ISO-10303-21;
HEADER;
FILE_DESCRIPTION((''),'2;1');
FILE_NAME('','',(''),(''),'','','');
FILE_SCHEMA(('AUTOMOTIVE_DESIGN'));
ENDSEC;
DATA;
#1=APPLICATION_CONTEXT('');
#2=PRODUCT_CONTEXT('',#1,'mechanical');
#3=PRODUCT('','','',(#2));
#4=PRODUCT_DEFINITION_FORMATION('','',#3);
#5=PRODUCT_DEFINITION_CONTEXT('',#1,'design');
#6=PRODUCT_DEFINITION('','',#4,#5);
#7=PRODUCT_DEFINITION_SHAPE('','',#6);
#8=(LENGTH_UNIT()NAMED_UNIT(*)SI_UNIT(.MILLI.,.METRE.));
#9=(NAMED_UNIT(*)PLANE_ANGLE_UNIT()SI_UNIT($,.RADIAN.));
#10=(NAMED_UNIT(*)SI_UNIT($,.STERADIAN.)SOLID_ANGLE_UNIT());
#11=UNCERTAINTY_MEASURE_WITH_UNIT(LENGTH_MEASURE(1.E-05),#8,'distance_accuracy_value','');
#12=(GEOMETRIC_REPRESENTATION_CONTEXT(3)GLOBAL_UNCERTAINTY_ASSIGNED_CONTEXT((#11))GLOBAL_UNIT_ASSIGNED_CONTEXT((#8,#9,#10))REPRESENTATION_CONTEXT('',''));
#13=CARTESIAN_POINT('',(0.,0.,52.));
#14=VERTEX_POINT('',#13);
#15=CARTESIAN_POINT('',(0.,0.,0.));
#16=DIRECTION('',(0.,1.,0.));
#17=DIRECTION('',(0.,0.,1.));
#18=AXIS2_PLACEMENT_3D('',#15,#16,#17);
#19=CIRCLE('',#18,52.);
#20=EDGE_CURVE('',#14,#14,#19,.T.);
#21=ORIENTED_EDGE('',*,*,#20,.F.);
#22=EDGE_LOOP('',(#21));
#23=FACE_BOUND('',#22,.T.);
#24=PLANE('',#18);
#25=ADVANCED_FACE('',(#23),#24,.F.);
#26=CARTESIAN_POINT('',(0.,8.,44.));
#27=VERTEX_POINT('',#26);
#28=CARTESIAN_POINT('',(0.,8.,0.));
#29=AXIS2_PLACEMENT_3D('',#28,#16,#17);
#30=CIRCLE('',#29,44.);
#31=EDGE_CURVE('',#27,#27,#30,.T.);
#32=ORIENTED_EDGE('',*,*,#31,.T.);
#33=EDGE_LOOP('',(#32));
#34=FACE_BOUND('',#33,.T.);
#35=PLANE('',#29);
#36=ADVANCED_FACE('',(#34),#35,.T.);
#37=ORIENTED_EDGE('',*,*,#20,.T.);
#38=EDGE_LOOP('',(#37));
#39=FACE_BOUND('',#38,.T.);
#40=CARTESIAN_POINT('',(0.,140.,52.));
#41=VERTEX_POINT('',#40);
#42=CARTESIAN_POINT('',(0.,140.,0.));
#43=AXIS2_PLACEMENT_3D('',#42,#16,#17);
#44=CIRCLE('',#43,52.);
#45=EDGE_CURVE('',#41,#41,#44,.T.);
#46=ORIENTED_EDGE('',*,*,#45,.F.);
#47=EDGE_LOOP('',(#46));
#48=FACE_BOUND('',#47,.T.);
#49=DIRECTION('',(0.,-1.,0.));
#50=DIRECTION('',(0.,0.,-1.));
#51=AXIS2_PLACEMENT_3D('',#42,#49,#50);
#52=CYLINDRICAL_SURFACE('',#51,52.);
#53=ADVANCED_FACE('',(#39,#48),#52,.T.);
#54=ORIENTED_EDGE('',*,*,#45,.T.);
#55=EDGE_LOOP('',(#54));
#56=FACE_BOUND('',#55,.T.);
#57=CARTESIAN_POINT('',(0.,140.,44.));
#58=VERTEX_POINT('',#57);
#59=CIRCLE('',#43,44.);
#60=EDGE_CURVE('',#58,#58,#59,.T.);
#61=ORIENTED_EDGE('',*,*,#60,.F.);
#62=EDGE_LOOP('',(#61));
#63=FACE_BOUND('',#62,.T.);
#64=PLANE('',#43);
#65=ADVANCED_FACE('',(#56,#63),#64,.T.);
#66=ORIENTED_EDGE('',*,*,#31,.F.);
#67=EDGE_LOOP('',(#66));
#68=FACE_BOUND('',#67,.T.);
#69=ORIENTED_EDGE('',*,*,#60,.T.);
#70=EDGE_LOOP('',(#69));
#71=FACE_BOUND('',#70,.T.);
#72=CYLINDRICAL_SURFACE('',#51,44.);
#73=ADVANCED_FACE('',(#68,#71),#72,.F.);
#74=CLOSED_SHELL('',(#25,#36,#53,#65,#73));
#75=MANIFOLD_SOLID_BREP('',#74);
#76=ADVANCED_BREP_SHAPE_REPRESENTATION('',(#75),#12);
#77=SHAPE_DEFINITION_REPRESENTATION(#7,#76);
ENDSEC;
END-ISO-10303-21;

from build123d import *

# Parameters (mm, degrees)
SKETCH1_R           = 52
BOSS_EXTRUDE1_DEPTH = 140
SHELL1_T            = 8
CUT_EXTRUDE1_START  = -40
SKETCH3_R           = 44
CUT_EXTRUDE1_DEPTH  = 40


with BuildPart() as part:
    # Sketch1 → Boss-Extrude1 (new body)
    with BuildSketch(Plane(origin=(0, 0, 0), x_dir=(1, 0, 0), z_dir=(0, 1, 0))):
        with Locations(Location((0, 0, 0), (0, 0, 270))):
            Circle(SKETCH1_R)
    extrude(amount=BOSS_EXTRUDE1_DEPTH)

    # Shell1 (no face opened: a closed hollow body)
    add(offset(amount=-SHELL1_T, mode=Mode.PRIVATE), mode=Mode.SUBTRACT)

    # Sketch3 → Cut-Extrude1 (cut)
    with BuildSketch(Plane(origin=(0, 140, 0), x_dir=(1, 0, 0), z_dir=(0, 1, 0)).offset(CUT_EXTRUDE1_START)):
        with Locations(Location((0, 0, 0), (0, 0, 270))):
            Circle(SKETCH3_R)
    extrude(amount=CUT_EXTRUDE1_DEPTH, mode=Mode.SUBTRACT)


solid = part.part
